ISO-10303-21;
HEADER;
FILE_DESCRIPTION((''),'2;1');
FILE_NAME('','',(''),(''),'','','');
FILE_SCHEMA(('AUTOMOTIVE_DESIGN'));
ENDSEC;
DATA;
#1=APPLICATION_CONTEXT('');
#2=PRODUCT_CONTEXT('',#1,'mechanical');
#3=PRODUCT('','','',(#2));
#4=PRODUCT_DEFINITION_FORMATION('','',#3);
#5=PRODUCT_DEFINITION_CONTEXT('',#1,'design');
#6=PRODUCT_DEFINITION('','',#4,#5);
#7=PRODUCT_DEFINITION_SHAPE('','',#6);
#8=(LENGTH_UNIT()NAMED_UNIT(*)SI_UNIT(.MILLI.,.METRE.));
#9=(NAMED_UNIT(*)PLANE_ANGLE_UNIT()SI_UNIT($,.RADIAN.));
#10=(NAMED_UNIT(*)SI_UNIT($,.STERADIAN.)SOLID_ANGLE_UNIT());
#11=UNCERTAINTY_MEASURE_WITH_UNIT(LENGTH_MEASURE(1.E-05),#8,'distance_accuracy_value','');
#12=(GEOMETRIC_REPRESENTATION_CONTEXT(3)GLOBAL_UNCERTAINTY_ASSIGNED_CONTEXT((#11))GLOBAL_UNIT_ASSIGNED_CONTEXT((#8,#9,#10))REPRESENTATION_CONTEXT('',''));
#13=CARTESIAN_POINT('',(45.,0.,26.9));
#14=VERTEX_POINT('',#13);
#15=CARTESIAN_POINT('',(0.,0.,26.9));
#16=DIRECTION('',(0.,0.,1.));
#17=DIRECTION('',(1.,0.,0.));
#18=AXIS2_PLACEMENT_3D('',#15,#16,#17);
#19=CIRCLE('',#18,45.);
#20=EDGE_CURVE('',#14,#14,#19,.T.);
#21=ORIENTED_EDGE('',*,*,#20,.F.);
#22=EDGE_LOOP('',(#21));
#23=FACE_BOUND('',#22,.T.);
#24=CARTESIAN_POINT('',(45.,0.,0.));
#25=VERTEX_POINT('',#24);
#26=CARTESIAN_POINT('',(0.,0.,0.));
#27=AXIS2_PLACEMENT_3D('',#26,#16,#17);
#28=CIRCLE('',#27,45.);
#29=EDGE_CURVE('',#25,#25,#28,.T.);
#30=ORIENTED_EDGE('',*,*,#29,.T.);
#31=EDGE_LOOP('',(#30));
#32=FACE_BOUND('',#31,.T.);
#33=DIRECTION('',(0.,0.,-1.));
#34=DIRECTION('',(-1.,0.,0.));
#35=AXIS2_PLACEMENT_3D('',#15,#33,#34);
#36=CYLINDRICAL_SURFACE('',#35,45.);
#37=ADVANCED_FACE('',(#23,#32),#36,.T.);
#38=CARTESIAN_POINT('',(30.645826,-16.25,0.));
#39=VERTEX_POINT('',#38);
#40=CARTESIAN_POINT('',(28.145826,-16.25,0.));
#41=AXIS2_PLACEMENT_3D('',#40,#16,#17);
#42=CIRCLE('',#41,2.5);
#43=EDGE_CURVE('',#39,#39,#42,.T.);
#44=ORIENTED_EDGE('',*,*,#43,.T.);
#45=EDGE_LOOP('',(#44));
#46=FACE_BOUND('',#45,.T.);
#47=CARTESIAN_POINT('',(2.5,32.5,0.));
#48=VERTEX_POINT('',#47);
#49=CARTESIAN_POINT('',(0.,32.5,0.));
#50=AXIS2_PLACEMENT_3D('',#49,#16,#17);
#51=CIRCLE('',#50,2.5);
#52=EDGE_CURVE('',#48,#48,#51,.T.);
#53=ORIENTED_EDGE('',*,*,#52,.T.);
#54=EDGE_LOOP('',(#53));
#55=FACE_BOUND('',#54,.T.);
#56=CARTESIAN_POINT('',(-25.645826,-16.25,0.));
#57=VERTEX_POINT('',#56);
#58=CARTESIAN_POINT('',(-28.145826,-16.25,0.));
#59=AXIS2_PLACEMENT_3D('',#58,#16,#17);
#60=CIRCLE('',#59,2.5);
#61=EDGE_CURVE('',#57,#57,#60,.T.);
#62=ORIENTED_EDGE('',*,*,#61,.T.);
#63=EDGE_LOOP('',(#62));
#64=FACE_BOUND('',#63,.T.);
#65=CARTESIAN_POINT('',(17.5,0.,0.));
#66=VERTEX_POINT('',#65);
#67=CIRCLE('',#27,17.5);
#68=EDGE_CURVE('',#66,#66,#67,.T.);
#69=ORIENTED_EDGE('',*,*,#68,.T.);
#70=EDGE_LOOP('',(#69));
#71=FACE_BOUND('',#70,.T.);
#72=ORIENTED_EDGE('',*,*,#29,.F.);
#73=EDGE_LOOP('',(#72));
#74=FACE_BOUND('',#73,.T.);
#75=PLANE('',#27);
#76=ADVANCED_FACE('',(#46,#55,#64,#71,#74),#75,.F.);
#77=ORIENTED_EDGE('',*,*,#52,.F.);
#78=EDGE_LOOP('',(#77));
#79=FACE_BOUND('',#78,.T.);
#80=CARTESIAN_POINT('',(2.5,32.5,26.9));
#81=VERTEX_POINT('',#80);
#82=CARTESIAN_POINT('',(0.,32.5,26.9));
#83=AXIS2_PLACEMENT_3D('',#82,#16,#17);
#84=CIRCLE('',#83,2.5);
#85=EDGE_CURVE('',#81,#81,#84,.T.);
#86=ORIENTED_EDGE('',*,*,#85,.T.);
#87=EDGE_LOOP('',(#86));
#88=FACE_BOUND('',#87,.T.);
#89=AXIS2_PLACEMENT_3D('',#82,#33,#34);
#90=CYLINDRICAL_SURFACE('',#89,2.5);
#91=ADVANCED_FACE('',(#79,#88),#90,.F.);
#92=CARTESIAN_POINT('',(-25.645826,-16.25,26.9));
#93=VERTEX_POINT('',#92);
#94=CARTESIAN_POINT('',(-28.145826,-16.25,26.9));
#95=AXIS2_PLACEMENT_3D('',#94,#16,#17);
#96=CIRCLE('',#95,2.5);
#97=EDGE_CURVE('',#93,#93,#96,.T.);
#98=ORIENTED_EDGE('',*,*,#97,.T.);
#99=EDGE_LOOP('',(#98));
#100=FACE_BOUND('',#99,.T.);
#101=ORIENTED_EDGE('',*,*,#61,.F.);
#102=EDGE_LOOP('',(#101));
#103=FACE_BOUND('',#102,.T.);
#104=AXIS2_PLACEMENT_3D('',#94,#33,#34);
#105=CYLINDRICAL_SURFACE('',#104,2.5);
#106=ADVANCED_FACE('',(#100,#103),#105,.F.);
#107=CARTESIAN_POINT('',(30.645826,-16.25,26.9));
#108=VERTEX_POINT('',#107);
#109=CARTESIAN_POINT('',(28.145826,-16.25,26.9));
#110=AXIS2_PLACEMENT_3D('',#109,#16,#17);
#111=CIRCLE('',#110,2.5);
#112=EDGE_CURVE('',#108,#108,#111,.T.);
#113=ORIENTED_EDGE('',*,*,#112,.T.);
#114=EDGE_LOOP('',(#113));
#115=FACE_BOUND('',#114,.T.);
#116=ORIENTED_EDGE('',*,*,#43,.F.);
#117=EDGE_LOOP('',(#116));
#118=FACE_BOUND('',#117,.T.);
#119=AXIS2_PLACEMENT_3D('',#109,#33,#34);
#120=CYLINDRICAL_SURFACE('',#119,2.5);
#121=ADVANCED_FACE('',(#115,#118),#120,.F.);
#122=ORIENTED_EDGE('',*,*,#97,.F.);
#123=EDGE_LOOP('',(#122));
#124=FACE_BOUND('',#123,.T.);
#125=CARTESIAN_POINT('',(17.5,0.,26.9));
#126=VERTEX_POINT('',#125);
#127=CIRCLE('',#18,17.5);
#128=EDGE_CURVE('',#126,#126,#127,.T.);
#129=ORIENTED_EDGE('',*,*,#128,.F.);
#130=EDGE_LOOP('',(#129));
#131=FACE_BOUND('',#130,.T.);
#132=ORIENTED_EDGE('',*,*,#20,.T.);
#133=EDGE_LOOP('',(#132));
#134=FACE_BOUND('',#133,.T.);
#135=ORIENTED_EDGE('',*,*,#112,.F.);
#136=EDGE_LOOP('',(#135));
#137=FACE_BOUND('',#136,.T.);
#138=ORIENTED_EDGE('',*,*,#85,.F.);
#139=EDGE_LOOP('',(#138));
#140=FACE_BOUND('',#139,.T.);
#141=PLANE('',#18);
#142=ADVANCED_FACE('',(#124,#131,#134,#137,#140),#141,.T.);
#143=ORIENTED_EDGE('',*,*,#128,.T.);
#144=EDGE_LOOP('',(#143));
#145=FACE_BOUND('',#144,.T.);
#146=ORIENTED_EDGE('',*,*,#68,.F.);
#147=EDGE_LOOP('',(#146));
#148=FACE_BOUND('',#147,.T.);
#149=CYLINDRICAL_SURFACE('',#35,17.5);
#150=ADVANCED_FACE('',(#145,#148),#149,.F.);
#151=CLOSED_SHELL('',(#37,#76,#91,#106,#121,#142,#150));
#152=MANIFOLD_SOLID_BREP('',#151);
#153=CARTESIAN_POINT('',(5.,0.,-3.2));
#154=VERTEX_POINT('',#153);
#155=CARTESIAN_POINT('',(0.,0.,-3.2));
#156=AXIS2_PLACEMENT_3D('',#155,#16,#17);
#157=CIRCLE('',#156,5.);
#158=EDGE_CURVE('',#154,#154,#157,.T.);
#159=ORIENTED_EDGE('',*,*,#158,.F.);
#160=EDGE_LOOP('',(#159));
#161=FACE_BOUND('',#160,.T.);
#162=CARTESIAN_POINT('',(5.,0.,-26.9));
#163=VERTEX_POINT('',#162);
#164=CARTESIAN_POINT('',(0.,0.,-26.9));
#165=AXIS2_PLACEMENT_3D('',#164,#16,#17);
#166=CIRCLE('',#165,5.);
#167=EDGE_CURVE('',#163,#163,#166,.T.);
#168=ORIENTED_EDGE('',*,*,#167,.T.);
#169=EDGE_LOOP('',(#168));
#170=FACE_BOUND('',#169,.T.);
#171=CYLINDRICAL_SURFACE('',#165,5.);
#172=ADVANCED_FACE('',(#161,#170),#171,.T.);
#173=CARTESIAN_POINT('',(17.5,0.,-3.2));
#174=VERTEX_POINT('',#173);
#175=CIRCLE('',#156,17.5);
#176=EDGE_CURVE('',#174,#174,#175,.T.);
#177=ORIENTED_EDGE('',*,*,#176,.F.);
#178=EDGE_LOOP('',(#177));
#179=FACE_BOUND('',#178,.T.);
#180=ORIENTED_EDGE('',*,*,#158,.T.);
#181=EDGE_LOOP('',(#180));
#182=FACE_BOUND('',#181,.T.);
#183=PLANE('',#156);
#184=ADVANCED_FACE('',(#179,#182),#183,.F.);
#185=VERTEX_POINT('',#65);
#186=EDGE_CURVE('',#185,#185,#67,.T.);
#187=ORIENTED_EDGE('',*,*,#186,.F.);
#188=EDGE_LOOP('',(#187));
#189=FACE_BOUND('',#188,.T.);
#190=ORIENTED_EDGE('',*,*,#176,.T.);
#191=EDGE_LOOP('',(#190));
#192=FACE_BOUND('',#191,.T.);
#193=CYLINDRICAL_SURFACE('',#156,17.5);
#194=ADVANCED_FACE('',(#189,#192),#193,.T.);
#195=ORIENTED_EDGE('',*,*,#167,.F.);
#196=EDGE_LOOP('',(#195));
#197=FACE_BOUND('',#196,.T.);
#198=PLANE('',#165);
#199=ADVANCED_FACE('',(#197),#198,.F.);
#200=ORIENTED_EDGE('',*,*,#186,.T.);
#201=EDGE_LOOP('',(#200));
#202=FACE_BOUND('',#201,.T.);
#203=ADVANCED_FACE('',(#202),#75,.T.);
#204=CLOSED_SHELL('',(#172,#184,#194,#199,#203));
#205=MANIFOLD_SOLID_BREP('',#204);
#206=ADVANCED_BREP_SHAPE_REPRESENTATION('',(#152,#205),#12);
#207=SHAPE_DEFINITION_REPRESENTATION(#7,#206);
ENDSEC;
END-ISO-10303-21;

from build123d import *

# Parameters (mm, degrees)
SKETCH1_R           = 45
SKETCH1_R_2         = 2.5
SKETCH1_R_3         = 17.5
BOSS_EXTRUDE1_DEPTH = 26.9
SKETCH1_3_R         = 5
BOSS_EXTRUDE2_DEPTH = 26.9
BOSS_EXTRUDE3_START = -3.2
SKETCH1_4_R         = 17.5
SKETCH1_4_R_2       = 5
BOSS_EXTRUDE3_DEPTH = 3.2


with BuildPart() as part:
    # Sketch1 → Boss-Extrude1 (new body)
    with BuildSketch(Plane.XY):
        Circle(SKETCH1_R)
        with Locations((-28.145825623, -16.25)):
            Circle(SKETCH1_R_2, mode=Mode.SUBTRACT)
        with Locations((28.145825623, -16.25)):
            Circle(SKETCH1_R_2, mode=Mode.SUBTRACT)
        Circle(SKETCH1_R_3, mode=Mode.SUBTRACT)
        with Locations((0, 32.5)):
            Circle(SKETCH1_R_2, mode=Mode.SUBTRACT)
    extrude(amount=BOSS_EXTRUDE1_DEPTH)


with BuildPart() as body_2:
    # Sketch1<3> → Boss-Extrude2 (new body)
    with BuildSketch(Plane.XY):
        Circle(SKETCH1_3_R)
    extrude(amount=-BOSS_EXTRUDE2_DEPTH)

    # Sketch1<4> → Boss-Extrude3 (add)
    with BuildSketch(Plane.XY.offset(BOSS_EXTRUDE3_START)):
        Circle(SKETCH1_4_R)
        Circle(SKETCH1_4_R_2, mode=Mode.SUBTRACT)
    extrude(amount=BOSS_EXTRUDE3_DEPTH)


solid = Compound([part.part, body_2.part])
